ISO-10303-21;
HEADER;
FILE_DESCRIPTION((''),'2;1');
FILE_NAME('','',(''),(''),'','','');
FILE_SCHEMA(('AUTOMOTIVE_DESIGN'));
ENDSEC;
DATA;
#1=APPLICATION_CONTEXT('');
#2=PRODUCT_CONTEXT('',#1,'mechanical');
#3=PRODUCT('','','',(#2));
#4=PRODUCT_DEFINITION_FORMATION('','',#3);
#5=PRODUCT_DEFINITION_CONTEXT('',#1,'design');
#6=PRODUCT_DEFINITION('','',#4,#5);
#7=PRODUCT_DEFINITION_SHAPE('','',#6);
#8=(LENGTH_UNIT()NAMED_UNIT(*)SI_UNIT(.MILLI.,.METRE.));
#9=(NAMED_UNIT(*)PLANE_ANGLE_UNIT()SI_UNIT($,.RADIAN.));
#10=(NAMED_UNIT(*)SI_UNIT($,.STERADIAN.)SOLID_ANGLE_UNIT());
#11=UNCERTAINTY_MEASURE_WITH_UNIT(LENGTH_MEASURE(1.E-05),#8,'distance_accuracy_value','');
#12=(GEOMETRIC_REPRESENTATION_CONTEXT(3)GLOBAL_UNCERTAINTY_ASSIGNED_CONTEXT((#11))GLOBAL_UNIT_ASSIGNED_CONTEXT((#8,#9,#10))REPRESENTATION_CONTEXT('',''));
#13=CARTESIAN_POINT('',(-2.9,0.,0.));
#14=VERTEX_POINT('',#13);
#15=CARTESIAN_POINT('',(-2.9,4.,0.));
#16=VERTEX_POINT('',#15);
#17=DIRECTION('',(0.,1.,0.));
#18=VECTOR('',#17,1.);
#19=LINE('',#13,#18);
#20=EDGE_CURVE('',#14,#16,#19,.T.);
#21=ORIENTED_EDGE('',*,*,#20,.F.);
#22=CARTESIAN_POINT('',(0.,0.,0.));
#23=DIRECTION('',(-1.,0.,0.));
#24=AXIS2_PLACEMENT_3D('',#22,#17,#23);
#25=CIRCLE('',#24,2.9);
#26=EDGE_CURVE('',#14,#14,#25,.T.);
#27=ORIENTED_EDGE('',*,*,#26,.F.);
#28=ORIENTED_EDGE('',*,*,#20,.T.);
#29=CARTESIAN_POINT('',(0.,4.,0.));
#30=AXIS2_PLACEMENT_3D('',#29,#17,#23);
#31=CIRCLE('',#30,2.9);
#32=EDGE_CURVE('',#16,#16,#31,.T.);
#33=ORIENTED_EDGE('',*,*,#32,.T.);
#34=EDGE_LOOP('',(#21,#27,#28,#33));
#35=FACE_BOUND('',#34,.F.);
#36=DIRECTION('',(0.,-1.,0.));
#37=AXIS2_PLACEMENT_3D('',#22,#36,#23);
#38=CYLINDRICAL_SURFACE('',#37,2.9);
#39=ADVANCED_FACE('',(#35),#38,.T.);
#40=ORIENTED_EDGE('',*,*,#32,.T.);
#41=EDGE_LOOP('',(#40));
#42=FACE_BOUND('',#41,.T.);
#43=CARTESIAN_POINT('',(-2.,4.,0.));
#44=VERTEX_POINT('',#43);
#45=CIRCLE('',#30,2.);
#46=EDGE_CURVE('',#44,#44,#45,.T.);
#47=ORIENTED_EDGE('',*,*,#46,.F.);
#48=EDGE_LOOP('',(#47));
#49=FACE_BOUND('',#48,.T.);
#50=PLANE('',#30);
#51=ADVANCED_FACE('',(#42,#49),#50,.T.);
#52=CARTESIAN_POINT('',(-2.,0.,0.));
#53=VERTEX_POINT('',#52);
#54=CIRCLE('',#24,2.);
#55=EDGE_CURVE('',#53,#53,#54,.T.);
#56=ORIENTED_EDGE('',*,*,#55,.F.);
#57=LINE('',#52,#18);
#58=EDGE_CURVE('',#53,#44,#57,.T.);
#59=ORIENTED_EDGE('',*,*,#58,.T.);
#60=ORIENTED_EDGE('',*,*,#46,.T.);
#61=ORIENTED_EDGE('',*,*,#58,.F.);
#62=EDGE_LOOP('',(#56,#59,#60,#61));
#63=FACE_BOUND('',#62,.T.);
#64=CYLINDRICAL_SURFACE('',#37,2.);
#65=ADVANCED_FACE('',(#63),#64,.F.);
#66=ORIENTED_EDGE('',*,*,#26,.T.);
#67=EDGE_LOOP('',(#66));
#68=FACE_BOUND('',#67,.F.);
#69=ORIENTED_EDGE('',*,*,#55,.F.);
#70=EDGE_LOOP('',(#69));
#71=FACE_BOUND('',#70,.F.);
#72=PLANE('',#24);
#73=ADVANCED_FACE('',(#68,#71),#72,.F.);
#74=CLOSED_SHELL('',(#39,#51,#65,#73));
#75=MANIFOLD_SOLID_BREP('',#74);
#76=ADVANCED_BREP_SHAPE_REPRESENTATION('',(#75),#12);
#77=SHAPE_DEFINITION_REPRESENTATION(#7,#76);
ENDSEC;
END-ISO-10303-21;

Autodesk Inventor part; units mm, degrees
ref_plane "YZ Plane" through (0, 0, 0) normal (1, 0, 0) x (0, 1, 0)
ref_plane "XZ Plane" through (0, 0, 0) normal (0, 1, 0) x (-1, 0, 0)
ref_plane "XY Plane" through (0, 0, 0) normal (0, 0, 1) x (1, 0, 0)
sketch "スケッチ1" plane through (0, 0, 0) normal (0, 1, 0) x (-1, 0, 0)
  circle A0 centre (0, 0) radius 2
  circle A1 centre (0, 0) radius 2.9
  dimension "d0" = 4
  dimension "d1" = 5.8
extrude "押し出し1" add sketch "スケッチ1" along normal blind 4
thread "ねじ1" size "M4x0.7" class "6H" standard "ANSI Metric M Profile" full length
properties part number "インサートナットM4_4mm_D5.8" material "真鍮、ソフト イエロー"
